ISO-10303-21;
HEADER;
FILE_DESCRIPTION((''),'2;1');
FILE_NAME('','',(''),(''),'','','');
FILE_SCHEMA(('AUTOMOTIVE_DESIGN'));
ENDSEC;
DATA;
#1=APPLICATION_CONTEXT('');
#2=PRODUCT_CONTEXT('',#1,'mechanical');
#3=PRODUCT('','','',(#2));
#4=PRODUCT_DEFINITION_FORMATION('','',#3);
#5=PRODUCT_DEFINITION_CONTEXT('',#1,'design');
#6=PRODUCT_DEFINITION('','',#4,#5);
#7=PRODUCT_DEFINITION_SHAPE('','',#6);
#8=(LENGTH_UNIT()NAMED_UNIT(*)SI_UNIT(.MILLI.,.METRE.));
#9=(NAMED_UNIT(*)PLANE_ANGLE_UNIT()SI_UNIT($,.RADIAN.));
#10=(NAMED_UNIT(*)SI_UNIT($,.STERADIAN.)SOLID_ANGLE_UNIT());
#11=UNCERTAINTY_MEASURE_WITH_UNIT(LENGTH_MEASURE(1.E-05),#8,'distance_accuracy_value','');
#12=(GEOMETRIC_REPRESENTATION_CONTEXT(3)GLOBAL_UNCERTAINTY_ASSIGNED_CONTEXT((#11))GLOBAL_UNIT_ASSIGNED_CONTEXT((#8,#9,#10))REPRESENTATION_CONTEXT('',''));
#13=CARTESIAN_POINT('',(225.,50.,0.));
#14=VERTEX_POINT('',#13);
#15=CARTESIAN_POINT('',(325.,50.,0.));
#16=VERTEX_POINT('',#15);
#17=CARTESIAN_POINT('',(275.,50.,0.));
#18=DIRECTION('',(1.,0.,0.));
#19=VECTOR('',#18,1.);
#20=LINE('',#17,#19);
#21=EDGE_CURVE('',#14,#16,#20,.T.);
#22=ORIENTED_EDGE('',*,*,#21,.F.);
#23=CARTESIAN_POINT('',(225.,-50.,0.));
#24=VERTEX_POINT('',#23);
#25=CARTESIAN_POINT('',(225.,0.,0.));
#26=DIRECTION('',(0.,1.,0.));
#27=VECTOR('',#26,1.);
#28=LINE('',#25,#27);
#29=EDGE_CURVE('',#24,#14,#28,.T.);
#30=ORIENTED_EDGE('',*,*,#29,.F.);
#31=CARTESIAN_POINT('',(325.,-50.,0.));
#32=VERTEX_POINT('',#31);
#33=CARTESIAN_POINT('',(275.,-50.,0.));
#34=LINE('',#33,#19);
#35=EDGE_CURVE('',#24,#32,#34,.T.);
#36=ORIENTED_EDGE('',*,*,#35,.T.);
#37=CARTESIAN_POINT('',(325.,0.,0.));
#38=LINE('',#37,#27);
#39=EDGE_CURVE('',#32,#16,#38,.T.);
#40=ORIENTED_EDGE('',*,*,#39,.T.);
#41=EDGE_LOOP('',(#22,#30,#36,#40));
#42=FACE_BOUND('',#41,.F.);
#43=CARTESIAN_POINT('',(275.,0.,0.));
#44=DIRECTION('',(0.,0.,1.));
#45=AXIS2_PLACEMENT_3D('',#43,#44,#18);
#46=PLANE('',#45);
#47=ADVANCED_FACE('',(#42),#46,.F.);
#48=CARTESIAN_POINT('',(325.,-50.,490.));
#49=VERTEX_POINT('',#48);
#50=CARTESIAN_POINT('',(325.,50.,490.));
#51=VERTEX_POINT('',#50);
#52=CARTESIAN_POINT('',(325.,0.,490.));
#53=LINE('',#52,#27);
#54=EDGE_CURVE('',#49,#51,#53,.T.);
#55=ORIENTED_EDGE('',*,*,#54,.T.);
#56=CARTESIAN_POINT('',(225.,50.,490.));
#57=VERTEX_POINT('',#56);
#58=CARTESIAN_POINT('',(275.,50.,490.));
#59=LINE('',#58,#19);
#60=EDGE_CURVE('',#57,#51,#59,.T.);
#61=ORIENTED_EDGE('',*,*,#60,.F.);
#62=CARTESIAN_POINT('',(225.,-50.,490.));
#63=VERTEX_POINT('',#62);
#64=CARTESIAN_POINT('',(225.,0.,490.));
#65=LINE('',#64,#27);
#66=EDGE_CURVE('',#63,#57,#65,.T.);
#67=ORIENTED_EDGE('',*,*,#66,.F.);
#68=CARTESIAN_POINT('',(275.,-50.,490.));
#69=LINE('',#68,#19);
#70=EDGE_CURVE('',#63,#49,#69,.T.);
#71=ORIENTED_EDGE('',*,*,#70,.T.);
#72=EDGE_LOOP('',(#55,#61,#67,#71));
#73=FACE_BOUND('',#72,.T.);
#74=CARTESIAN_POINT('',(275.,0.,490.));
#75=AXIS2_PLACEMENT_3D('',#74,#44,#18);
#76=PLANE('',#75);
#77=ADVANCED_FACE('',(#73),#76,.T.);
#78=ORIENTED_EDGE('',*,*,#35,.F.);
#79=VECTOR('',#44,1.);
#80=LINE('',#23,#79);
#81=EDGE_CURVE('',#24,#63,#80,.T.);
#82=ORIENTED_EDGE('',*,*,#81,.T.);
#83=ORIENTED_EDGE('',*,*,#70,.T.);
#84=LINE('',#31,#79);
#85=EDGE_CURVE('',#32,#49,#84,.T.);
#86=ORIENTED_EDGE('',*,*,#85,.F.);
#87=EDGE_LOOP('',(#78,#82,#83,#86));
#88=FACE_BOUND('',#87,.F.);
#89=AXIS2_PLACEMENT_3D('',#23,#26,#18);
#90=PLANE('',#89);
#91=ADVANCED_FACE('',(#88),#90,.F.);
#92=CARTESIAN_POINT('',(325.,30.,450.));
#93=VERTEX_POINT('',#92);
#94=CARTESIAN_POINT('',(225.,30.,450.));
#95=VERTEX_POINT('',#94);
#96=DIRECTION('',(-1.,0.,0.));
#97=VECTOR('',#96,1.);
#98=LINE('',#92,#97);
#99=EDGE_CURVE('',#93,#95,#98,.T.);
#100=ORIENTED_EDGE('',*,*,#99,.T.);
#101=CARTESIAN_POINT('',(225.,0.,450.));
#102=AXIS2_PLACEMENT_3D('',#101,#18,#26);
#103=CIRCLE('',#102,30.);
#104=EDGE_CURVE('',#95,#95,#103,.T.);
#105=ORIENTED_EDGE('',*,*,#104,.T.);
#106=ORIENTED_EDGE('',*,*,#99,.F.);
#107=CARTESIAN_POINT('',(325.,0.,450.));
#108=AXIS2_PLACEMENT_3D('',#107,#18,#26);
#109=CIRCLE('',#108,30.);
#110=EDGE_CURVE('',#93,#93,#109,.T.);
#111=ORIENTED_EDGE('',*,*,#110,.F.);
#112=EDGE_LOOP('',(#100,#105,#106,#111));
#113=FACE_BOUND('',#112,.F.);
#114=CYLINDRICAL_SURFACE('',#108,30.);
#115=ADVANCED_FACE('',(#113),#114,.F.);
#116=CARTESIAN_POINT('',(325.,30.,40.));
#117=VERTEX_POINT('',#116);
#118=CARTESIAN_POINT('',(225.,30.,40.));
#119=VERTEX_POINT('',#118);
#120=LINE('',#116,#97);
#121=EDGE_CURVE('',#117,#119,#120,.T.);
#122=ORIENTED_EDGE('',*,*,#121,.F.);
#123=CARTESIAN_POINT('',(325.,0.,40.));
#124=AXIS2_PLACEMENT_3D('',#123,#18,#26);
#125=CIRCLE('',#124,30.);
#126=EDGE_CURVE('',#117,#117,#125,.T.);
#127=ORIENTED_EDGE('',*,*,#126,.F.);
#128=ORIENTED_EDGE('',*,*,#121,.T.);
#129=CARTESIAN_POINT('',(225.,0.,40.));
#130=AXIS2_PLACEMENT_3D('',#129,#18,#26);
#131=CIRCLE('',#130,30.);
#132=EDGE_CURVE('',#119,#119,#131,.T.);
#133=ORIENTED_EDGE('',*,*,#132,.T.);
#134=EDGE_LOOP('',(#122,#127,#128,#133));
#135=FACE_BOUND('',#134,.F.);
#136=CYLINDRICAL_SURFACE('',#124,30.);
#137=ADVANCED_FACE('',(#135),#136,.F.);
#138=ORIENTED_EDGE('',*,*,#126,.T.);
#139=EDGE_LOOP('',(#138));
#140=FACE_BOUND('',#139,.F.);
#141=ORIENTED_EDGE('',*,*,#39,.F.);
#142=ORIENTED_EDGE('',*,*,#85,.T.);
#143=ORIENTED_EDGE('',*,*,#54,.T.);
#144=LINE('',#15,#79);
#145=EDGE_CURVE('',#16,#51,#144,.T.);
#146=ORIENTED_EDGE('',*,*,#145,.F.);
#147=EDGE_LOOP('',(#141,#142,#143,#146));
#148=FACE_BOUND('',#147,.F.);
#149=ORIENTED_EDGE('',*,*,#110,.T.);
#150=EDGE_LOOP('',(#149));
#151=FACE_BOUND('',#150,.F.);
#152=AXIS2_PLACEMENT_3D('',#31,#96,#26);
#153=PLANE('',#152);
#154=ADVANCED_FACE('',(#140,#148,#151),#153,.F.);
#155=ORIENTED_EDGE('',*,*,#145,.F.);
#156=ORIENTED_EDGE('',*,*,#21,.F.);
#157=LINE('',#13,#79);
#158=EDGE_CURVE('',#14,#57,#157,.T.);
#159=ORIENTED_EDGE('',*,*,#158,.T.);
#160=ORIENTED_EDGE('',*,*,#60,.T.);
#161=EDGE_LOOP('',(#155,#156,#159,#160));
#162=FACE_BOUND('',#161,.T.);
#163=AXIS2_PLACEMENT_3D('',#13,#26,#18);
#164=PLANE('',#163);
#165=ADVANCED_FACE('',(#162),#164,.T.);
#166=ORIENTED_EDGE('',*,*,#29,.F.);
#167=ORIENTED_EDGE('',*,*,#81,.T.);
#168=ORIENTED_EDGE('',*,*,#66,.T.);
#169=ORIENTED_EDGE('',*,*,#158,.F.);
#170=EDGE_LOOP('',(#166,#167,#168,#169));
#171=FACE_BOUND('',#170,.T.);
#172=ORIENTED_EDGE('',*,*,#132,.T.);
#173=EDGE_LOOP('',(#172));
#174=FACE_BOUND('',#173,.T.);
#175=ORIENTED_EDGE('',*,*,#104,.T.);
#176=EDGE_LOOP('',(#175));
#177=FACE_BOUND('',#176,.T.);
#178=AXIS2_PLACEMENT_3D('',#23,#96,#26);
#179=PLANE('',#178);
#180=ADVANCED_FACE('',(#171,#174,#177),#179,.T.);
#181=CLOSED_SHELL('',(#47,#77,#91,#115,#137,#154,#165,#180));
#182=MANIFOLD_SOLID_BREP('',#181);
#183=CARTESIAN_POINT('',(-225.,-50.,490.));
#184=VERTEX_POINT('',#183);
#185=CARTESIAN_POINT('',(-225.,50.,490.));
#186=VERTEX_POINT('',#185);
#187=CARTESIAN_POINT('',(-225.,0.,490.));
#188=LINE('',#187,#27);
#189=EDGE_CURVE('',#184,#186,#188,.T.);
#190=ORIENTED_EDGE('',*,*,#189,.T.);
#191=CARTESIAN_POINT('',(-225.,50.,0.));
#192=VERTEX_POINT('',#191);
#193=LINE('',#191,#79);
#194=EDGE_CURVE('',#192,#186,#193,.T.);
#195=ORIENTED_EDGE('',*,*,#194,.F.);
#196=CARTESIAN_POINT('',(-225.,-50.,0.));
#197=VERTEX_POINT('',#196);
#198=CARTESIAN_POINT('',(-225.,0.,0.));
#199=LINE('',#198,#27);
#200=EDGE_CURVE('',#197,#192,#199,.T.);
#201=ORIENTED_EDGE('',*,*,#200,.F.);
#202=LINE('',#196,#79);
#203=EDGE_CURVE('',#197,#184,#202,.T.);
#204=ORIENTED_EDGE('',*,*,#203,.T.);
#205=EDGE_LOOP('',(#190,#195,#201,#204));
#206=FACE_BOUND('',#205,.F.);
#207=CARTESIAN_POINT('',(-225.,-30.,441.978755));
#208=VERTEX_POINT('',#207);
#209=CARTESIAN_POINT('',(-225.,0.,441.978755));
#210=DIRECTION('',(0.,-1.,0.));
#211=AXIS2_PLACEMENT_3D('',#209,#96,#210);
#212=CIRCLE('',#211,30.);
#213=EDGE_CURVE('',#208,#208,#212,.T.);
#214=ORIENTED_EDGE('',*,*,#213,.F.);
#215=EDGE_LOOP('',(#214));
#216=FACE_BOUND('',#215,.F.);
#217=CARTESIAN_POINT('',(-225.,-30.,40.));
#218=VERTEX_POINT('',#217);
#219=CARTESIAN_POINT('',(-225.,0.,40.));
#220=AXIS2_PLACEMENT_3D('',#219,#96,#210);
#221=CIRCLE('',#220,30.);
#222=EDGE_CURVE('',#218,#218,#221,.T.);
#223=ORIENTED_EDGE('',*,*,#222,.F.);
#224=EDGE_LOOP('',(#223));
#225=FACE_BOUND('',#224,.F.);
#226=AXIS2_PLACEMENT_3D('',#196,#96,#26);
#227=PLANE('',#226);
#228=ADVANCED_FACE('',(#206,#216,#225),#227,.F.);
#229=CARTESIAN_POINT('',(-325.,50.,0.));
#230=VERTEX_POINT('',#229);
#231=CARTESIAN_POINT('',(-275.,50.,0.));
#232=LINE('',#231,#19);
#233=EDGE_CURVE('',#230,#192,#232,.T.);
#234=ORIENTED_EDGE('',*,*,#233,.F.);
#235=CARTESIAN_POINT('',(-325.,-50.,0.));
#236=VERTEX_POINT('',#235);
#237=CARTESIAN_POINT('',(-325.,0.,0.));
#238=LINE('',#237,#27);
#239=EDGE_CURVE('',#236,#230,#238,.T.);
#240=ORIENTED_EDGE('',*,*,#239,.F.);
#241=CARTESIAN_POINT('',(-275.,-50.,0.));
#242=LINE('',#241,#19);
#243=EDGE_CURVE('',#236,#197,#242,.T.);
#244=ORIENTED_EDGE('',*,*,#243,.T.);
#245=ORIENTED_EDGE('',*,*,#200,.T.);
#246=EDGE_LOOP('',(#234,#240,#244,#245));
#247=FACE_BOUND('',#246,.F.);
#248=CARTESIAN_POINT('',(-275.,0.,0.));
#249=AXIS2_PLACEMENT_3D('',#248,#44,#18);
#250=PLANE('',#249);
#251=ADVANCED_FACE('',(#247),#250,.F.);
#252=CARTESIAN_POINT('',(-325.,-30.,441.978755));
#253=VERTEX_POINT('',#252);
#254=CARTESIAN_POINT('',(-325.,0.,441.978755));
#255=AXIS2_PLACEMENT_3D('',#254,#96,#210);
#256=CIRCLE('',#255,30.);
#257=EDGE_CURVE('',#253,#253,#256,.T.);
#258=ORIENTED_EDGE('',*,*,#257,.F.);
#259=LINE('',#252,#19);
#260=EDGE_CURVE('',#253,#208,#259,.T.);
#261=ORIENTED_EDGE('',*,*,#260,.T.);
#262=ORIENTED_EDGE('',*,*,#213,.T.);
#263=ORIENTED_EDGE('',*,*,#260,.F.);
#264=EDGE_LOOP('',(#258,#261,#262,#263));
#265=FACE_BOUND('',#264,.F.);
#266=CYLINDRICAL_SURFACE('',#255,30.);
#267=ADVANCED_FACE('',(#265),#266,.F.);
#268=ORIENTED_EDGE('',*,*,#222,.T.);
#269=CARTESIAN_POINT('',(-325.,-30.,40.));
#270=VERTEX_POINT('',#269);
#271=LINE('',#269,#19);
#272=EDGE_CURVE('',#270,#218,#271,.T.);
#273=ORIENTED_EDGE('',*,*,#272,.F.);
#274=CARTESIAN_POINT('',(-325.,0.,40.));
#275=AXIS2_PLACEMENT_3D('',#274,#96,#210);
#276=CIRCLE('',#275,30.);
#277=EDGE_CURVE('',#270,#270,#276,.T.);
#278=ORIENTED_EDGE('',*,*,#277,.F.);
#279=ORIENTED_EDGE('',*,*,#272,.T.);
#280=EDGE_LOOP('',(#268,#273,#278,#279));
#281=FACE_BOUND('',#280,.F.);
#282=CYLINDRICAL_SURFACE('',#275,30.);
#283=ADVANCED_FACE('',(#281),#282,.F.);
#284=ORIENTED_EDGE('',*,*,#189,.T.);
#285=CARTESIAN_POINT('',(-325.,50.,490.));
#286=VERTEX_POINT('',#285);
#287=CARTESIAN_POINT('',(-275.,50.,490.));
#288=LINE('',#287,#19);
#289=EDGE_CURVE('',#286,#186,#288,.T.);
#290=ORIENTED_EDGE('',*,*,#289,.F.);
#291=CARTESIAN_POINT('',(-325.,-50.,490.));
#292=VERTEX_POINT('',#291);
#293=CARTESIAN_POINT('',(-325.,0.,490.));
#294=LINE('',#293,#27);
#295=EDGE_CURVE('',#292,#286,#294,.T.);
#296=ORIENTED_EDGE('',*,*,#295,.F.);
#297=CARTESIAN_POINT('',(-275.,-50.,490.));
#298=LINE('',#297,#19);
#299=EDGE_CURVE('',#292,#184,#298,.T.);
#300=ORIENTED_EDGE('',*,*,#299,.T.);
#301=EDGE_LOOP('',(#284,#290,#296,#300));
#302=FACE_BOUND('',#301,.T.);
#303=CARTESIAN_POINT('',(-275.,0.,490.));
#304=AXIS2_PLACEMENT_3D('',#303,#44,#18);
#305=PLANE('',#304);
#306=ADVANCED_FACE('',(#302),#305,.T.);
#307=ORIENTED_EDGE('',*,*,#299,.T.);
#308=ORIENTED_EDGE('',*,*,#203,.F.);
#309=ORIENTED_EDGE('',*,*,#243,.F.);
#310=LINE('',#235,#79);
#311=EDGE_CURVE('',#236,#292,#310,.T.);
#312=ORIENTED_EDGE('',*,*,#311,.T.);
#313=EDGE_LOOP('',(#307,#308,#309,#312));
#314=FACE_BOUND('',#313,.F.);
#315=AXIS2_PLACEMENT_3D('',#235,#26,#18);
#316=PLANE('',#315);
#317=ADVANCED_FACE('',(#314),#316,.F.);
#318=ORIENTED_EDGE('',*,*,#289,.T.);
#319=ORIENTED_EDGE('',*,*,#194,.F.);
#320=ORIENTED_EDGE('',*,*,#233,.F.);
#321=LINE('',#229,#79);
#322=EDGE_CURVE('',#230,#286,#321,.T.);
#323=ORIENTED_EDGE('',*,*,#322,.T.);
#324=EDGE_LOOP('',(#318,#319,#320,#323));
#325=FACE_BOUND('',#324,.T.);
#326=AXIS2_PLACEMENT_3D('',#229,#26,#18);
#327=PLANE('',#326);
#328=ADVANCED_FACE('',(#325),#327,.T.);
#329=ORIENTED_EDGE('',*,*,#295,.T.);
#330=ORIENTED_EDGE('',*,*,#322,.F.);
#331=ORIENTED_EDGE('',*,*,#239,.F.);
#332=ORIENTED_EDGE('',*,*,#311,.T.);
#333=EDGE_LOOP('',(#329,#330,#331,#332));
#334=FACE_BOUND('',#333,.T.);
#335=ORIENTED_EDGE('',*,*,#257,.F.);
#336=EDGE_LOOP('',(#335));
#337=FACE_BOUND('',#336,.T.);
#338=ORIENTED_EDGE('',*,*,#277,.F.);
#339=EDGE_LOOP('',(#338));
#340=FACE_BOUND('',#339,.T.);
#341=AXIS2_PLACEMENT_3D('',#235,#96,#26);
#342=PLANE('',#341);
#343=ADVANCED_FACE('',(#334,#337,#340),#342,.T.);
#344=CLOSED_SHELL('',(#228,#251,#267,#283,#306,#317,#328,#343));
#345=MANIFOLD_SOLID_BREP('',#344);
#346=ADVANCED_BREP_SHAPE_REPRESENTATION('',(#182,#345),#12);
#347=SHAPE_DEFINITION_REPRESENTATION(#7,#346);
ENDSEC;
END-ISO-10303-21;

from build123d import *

# Parameters (mm, degrees)
F0_W     = 100
F0_H     = 100
F1_DEPTH = 490
F2_R     = 30
F4_DEPTH = 100
F3_R     = 30
F5_DEPTH = 100
F6_R     = 30
F7_DEPTH = 100
F8_R     = 30
F9_DEPTH = 100


with BuildPart() as f1:
    # F0 (on Top) → F1 (new body)
    with BuildSketch(Plane.XY):
        with Locations((-275, 0)):
            Rectangle(F0_W, F0_H)
        with Locations((275, 0)):
            Rectangle(F0_W, F0_H)
    extrude(amount=F1_DEPTH)

    # F2 (on face) → F4 (cut)
    with BuildSketch(Plane(origin=(-325, 0, 0), x_dir=(0, -1, 0), z_dir=(-1, 0, 0))):
        with Locations((0, 441.978755)):
            Circle(F2_R)
    extrude(amount=-F4_DEPTH, mode=Mode.SUBTRACT)

    # F3 (on face) → F5 (cut)
    with BuildSketch(Plane.YZ.offset(325)):
        with Locations((0, 450)):
            Circle(F3_R)
    extrude(amount=-F5_DEPTH, mode=Mode.SUBTRACT)

    # F6 (on face) → F7 (cut)
    with BuildSketch(Plane.YZ.offset(325)):
        with Locations((0, 40)):
            Circle(F6_R)
    extrude(amount=-F7_DEPTH, mode=Mode.SUBTRACT)

    # F8 (on face) → F9 (cut)
    with BuildSketch(Plane(origin=(-325, 0, 0), x_dir=(0, -1, 0), z_dir=(-1, 0, 0))):
        with Locations((0, 40)):
            Circle(F8_R)
    extrude(amount=-F9_DEPTH, mode=Mode.SUBTRACT)


solid = f1.part
